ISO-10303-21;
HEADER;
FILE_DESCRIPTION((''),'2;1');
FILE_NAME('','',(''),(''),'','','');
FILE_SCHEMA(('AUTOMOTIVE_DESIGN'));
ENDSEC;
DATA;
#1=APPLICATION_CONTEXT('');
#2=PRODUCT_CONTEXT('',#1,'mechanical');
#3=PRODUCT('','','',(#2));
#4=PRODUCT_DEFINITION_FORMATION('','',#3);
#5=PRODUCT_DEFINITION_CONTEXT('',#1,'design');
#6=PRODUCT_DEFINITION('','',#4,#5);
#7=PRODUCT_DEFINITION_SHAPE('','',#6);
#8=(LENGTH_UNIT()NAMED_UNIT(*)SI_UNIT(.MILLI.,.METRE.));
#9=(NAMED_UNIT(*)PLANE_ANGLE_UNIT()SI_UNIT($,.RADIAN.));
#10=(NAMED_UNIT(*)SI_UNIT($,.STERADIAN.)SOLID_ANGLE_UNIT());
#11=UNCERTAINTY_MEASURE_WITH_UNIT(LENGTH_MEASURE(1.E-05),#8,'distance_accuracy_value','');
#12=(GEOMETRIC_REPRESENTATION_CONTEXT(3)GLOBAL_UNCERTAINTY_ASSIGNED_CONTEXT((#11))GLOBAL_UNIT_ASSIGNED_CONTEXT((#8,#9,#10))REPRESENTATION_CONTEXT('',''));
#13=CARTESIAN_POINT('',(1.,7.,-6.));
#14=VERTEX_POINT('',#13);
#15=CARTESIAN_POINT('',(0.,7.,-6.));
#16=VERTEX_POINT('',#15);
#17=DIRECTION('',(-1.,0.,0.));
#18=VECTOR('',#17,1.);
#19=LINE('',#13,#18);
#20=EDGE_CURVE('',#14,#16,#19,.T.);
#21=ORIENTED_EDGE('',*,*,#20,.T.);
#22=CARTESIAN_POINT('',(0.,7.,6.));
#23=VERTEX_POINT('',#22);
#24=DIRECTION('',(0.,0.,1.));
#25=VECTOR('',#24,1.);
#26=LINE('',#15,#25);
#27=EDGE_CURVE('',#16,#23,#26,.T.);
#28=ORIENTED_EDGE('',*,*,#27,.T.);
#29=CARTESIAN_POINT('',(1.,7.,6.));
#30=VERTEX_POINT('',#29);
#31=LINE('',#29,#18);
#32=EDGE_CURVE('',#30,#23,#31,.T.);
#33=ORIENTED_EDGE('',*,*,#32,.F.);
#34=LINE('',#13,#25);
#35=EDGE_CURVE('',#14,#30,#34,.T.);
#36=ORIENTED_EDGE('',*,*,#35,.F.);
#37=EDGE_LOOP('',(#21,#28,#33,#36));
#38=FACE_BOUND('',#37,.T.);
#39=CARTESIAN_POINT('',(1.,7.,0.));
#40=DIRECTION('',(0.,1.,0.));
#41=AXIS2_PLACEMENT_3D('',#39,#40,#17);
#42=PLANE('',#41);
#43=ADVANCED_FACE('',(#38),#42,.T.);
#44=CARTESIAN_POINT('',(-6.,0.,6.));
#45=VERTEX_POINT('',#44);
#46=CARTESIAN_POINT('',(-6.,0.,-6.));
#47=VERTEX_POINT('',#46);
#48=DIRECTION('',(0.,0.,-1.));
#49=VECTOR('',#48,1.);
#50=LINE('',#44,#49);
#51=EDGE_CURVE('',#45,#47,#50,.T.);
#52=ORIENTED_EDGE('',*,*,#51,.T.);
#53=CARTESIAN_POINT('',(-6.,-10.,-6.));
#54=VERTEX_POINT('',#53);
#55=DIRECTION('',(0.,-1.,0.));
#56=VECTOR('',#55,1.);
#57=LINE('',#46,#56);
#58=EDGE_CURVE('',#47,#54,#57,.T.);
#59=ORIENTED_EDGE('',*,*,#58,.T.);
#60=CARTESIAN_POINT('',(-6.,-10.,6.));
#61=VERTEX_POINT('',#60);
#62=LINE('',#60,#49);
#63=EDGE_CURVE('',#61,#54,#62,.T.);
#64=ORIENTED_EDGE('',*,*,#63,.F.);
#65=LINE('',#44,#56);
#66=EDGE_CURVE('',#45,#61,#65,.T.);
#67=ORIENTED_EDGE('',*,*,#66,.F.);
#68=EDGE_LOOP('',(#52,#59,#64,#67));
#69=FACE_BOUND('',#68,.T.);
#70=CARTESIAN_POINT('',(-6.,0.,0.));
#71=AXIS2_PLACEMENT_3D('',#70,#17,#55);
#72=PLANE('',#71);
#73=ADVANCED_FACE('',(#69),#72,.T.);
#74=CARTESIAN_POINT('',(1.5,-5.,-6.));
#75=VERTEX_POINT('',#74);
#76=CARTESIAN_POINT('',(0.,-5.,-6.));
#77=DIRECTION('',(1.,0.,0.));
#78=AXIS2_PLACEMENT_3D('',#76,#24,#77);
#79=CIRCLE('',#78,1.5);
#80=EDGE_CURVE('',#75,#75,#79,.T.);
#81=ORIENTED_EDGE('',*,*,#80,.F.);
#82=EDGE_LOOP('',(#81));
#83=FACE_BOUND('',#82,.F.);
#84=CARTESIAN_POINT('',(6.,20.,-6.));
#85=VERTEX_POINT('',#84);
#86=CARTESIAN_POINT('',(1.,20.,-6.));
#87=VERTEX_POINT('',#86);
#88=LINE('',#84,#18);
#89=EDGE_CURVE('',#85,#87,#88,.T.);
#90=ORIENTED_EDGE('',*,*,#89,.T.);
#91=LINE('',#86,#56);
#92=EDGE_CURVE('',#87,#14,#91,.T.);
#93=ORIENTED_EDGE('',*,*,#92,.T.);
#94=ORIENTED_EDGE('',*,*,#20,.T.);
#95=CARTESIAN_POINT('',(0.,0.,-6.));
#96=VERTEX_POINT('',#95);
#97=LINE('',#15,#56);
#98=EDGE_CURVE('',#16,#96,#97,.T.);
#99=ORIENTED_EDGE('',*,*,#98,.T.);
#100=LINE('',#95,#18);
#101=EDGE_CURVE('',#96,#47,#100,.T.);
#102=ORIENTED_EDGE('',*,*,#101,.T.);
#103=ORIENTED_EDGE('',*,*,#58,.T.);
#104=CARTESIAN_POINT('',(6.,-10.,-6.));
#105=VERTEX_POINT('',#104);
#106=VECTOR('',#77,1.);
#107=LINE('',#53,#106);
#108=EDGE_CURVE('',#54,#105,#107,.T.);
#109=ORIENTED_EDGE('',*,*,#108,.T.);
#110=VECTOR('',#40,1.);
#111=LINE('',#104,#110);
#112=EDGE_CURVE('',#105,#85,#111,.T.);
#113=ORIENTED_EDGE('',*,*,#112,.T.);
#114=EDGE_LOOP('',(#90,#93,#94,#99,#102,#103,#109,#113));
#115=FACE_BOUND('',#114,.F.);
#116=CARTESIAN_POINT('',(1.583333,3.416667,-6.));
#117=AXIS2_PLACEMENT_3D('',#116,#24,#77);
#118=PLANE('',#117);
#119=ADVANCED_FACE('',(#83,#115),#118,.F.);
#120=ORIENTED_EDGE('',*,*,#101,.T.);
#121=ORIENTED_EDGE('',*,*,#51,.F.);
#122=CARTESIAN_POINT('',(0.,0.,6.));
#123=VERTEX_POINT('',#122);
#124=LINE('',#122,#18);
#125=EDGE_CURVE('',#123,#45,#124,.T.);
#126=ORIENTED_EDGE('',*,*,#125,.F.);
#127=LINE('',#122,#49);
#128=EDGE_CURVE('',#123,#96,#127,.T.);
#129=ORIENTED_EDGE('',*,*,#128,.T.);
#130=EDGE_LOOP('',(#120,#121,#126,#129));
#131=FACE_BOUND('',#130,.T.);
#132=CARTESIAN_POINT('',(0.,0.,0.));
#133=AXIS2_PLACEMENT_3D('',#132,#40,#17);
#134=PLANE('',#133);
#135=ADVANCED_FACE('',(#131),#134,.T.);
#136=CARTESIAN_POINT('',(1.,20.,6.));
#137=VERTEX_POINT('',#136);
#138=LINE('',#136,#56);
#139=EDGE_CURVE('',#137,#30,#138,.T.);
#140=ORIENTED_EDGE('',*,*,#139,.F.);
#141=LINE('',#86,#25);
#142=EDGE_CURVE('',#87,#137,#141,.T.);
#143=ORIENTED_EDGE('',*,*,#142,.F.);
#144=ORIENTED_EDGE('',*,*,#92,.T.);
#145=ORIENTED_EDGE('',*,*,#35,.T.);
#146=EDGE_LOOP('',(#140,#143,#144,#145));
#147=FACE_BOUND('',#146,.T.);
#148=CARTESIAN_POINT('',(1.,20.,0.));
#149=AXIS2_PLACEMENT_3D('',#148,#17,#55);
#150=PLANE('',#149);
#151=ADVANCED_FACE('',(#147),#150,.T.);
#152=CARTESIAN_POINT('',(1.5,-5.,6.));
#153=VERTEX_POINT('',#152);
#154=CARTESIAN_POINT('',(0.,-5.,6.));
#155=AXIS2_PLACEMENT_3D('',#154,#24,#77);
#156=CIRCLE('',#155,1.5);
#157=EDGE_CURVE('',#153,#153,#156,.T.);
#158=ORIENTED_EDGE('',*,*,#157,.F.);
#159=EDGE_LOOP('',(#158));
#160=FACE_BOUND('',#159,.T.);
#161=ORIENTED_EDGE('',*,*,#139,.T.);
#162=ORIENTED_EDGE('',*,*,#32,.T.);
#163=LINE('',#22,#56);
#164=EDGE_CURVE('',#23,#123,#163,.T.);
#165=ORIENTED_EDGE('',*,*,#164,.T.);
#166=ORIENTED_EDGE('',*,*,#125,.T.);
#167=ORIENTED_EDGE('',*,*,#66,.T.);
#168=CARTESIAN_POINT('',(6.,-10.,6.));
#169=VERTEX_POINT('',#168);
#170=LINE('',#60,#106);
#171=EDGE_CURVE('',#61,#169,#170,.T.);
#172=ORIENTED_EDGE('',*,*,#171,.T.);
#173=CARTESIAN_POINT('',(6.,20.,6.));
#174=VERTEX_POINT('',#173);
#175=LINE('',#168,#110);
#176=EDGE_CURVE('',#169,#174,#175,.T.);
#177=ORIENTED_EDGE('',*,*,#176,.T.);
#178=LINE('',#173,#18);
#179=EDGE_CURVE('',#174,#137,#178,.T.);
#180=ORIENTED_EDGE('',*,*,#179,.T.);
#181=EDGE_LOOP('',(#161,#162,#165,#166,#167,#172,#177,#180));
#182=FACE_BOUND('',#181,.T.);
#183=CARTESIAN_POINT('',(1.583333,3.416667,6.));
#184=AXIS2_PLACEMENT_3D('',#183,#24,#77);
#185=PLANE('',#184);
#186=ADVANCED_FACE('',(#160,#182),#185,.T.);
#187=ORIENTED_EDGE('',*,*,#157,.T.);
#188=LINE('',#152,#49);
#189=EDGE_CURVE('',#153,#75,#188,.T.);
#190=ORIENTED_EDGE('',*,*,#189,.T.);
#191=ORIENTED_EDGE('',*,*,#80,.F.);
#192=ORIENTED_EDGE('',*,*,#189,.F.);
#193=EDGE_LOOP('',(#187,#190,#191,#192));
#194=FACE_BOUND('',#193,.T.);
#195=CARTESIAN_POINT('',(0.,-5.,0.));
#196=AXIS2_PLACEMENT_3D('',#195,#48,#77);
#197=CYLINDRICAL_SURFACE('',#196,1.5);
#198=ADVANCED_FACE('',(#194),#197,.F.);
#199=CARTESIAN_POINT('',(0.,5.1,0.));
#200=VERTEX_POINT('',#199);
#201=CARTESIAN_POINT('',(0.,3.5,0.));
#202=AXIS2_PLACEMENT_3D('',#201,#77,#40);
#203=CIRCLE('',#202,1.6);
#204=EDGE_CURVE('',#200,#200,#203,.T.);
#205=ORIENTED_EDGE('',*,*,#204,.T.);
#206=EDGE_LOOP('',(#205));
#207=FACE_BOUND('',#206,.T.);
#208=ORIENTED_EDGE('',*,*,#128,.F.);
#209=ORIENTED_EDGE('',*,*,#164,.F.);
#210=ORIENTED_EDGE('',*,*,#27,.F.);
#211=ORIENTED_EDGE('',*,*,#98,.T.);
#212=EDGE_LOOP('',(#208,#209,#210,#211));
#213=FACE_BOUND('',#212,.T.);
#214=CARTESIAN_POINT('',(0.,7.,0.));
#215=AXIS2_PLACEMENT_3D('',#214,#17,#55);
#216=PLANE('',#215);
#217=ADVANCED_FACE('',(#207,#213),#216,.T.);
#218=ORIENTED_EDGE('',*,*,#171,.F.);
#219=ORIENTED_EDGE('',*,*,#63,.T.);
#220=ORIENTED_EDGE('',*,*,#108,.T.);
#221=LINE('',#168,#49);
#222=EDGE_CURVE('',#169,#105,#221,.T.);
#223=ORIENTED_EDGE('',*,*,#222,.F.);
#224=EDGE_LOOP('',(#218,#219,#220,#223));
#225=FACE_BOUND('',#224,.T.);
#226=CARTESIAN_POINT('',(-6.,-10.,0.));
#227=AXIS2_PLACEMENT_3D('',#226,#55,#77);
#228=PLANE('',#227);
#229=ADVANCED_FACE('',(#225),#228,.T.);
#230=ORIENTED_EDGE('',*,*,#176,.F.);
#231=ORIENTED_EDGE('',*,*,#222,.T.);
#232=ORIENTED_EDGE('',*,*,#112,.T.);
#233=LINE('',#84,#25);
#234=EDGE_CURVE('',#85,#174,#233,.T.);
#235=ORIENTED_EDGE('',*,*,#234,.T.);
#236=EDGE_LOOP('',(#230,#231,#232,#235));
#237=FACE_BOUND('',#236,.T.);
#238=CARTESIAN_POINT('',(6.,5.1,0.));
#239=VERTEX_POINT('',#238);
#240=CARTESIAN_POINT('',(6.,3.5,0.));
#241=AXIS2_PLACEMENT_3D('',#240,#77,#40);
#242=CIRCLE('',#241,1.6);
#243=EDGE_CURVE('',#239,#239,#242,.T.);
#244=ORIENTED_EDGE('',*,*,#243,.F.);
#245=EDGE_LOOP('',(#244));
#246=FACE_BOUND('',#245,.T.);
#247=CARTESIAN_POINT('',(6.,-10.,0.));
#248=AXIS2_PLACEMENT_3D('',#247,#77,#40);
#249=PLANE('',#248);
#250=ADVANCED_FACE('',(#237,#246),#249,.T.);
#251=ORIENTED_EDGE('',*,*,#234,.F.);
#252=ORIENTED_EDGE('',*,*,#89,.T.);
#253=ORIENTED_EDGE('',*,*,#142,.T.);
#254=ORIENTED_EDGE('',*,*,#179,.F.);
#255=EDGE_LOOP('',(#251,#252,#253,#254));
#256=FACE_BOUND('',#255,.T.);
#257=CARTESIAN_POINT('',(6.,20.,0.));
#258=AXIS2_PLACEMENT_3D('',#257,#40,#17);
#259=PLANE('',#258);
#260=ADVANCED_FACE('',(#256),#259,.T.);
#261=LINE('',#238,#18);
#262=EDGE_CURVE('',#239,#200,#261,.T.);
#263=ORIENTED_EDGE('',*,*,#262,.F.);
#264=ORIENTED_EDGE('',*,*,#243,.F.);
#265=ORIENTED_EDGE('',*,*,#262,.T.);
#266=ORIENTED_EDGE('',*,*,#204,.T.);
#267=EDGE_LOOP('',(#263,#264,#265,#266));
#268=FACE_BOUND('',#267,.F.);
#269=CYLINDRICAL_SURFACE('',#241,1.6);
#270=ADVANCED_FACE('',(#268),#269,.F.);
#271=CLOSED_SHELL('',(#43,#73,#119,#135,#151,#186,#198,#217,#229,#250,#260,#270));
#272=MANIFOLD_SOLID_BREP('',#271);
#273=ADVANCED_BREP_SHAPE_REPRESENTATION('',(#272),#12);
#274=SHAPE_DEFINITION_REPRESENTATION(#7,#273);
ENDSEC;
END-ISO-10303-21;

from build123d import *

# Parameters (mm, degrees)
F0_R     = 1.5
F1_DEPTH = 6
F4_DEPTH = 25


with BuildPart() as f1:
    # F0 (on Top) → F1 (new body, symmetric)
    with BuildSketch(Plane.XY):
        Polygon((6, -10), (6, 20), (1, 20), (1, 7), (0, 7), (0, 0), (-6, 0), (-6, -10), align=None)
        with Locations((0, -5)):
            Circle(F0_R, mode=Mode.SUBTRACT)
    extrude(amount=F1_DEPTH, both=True)

    # F3 (on offset) → F4 (cut)
    with BuildSketch(Plane.YZ.offset(6)):
        with BuildLine():
            ThreePointArc((1.9, 0), (3.5, -1.6), (5.1, 0))
            ThreePointArc((5.1, 0), (3.5, 1.6), (1.9, 0))
        make_face()
    extrude(amount=-F4_DEPTH, mode=Mode.SUBTRACT)


solid = f1.part
